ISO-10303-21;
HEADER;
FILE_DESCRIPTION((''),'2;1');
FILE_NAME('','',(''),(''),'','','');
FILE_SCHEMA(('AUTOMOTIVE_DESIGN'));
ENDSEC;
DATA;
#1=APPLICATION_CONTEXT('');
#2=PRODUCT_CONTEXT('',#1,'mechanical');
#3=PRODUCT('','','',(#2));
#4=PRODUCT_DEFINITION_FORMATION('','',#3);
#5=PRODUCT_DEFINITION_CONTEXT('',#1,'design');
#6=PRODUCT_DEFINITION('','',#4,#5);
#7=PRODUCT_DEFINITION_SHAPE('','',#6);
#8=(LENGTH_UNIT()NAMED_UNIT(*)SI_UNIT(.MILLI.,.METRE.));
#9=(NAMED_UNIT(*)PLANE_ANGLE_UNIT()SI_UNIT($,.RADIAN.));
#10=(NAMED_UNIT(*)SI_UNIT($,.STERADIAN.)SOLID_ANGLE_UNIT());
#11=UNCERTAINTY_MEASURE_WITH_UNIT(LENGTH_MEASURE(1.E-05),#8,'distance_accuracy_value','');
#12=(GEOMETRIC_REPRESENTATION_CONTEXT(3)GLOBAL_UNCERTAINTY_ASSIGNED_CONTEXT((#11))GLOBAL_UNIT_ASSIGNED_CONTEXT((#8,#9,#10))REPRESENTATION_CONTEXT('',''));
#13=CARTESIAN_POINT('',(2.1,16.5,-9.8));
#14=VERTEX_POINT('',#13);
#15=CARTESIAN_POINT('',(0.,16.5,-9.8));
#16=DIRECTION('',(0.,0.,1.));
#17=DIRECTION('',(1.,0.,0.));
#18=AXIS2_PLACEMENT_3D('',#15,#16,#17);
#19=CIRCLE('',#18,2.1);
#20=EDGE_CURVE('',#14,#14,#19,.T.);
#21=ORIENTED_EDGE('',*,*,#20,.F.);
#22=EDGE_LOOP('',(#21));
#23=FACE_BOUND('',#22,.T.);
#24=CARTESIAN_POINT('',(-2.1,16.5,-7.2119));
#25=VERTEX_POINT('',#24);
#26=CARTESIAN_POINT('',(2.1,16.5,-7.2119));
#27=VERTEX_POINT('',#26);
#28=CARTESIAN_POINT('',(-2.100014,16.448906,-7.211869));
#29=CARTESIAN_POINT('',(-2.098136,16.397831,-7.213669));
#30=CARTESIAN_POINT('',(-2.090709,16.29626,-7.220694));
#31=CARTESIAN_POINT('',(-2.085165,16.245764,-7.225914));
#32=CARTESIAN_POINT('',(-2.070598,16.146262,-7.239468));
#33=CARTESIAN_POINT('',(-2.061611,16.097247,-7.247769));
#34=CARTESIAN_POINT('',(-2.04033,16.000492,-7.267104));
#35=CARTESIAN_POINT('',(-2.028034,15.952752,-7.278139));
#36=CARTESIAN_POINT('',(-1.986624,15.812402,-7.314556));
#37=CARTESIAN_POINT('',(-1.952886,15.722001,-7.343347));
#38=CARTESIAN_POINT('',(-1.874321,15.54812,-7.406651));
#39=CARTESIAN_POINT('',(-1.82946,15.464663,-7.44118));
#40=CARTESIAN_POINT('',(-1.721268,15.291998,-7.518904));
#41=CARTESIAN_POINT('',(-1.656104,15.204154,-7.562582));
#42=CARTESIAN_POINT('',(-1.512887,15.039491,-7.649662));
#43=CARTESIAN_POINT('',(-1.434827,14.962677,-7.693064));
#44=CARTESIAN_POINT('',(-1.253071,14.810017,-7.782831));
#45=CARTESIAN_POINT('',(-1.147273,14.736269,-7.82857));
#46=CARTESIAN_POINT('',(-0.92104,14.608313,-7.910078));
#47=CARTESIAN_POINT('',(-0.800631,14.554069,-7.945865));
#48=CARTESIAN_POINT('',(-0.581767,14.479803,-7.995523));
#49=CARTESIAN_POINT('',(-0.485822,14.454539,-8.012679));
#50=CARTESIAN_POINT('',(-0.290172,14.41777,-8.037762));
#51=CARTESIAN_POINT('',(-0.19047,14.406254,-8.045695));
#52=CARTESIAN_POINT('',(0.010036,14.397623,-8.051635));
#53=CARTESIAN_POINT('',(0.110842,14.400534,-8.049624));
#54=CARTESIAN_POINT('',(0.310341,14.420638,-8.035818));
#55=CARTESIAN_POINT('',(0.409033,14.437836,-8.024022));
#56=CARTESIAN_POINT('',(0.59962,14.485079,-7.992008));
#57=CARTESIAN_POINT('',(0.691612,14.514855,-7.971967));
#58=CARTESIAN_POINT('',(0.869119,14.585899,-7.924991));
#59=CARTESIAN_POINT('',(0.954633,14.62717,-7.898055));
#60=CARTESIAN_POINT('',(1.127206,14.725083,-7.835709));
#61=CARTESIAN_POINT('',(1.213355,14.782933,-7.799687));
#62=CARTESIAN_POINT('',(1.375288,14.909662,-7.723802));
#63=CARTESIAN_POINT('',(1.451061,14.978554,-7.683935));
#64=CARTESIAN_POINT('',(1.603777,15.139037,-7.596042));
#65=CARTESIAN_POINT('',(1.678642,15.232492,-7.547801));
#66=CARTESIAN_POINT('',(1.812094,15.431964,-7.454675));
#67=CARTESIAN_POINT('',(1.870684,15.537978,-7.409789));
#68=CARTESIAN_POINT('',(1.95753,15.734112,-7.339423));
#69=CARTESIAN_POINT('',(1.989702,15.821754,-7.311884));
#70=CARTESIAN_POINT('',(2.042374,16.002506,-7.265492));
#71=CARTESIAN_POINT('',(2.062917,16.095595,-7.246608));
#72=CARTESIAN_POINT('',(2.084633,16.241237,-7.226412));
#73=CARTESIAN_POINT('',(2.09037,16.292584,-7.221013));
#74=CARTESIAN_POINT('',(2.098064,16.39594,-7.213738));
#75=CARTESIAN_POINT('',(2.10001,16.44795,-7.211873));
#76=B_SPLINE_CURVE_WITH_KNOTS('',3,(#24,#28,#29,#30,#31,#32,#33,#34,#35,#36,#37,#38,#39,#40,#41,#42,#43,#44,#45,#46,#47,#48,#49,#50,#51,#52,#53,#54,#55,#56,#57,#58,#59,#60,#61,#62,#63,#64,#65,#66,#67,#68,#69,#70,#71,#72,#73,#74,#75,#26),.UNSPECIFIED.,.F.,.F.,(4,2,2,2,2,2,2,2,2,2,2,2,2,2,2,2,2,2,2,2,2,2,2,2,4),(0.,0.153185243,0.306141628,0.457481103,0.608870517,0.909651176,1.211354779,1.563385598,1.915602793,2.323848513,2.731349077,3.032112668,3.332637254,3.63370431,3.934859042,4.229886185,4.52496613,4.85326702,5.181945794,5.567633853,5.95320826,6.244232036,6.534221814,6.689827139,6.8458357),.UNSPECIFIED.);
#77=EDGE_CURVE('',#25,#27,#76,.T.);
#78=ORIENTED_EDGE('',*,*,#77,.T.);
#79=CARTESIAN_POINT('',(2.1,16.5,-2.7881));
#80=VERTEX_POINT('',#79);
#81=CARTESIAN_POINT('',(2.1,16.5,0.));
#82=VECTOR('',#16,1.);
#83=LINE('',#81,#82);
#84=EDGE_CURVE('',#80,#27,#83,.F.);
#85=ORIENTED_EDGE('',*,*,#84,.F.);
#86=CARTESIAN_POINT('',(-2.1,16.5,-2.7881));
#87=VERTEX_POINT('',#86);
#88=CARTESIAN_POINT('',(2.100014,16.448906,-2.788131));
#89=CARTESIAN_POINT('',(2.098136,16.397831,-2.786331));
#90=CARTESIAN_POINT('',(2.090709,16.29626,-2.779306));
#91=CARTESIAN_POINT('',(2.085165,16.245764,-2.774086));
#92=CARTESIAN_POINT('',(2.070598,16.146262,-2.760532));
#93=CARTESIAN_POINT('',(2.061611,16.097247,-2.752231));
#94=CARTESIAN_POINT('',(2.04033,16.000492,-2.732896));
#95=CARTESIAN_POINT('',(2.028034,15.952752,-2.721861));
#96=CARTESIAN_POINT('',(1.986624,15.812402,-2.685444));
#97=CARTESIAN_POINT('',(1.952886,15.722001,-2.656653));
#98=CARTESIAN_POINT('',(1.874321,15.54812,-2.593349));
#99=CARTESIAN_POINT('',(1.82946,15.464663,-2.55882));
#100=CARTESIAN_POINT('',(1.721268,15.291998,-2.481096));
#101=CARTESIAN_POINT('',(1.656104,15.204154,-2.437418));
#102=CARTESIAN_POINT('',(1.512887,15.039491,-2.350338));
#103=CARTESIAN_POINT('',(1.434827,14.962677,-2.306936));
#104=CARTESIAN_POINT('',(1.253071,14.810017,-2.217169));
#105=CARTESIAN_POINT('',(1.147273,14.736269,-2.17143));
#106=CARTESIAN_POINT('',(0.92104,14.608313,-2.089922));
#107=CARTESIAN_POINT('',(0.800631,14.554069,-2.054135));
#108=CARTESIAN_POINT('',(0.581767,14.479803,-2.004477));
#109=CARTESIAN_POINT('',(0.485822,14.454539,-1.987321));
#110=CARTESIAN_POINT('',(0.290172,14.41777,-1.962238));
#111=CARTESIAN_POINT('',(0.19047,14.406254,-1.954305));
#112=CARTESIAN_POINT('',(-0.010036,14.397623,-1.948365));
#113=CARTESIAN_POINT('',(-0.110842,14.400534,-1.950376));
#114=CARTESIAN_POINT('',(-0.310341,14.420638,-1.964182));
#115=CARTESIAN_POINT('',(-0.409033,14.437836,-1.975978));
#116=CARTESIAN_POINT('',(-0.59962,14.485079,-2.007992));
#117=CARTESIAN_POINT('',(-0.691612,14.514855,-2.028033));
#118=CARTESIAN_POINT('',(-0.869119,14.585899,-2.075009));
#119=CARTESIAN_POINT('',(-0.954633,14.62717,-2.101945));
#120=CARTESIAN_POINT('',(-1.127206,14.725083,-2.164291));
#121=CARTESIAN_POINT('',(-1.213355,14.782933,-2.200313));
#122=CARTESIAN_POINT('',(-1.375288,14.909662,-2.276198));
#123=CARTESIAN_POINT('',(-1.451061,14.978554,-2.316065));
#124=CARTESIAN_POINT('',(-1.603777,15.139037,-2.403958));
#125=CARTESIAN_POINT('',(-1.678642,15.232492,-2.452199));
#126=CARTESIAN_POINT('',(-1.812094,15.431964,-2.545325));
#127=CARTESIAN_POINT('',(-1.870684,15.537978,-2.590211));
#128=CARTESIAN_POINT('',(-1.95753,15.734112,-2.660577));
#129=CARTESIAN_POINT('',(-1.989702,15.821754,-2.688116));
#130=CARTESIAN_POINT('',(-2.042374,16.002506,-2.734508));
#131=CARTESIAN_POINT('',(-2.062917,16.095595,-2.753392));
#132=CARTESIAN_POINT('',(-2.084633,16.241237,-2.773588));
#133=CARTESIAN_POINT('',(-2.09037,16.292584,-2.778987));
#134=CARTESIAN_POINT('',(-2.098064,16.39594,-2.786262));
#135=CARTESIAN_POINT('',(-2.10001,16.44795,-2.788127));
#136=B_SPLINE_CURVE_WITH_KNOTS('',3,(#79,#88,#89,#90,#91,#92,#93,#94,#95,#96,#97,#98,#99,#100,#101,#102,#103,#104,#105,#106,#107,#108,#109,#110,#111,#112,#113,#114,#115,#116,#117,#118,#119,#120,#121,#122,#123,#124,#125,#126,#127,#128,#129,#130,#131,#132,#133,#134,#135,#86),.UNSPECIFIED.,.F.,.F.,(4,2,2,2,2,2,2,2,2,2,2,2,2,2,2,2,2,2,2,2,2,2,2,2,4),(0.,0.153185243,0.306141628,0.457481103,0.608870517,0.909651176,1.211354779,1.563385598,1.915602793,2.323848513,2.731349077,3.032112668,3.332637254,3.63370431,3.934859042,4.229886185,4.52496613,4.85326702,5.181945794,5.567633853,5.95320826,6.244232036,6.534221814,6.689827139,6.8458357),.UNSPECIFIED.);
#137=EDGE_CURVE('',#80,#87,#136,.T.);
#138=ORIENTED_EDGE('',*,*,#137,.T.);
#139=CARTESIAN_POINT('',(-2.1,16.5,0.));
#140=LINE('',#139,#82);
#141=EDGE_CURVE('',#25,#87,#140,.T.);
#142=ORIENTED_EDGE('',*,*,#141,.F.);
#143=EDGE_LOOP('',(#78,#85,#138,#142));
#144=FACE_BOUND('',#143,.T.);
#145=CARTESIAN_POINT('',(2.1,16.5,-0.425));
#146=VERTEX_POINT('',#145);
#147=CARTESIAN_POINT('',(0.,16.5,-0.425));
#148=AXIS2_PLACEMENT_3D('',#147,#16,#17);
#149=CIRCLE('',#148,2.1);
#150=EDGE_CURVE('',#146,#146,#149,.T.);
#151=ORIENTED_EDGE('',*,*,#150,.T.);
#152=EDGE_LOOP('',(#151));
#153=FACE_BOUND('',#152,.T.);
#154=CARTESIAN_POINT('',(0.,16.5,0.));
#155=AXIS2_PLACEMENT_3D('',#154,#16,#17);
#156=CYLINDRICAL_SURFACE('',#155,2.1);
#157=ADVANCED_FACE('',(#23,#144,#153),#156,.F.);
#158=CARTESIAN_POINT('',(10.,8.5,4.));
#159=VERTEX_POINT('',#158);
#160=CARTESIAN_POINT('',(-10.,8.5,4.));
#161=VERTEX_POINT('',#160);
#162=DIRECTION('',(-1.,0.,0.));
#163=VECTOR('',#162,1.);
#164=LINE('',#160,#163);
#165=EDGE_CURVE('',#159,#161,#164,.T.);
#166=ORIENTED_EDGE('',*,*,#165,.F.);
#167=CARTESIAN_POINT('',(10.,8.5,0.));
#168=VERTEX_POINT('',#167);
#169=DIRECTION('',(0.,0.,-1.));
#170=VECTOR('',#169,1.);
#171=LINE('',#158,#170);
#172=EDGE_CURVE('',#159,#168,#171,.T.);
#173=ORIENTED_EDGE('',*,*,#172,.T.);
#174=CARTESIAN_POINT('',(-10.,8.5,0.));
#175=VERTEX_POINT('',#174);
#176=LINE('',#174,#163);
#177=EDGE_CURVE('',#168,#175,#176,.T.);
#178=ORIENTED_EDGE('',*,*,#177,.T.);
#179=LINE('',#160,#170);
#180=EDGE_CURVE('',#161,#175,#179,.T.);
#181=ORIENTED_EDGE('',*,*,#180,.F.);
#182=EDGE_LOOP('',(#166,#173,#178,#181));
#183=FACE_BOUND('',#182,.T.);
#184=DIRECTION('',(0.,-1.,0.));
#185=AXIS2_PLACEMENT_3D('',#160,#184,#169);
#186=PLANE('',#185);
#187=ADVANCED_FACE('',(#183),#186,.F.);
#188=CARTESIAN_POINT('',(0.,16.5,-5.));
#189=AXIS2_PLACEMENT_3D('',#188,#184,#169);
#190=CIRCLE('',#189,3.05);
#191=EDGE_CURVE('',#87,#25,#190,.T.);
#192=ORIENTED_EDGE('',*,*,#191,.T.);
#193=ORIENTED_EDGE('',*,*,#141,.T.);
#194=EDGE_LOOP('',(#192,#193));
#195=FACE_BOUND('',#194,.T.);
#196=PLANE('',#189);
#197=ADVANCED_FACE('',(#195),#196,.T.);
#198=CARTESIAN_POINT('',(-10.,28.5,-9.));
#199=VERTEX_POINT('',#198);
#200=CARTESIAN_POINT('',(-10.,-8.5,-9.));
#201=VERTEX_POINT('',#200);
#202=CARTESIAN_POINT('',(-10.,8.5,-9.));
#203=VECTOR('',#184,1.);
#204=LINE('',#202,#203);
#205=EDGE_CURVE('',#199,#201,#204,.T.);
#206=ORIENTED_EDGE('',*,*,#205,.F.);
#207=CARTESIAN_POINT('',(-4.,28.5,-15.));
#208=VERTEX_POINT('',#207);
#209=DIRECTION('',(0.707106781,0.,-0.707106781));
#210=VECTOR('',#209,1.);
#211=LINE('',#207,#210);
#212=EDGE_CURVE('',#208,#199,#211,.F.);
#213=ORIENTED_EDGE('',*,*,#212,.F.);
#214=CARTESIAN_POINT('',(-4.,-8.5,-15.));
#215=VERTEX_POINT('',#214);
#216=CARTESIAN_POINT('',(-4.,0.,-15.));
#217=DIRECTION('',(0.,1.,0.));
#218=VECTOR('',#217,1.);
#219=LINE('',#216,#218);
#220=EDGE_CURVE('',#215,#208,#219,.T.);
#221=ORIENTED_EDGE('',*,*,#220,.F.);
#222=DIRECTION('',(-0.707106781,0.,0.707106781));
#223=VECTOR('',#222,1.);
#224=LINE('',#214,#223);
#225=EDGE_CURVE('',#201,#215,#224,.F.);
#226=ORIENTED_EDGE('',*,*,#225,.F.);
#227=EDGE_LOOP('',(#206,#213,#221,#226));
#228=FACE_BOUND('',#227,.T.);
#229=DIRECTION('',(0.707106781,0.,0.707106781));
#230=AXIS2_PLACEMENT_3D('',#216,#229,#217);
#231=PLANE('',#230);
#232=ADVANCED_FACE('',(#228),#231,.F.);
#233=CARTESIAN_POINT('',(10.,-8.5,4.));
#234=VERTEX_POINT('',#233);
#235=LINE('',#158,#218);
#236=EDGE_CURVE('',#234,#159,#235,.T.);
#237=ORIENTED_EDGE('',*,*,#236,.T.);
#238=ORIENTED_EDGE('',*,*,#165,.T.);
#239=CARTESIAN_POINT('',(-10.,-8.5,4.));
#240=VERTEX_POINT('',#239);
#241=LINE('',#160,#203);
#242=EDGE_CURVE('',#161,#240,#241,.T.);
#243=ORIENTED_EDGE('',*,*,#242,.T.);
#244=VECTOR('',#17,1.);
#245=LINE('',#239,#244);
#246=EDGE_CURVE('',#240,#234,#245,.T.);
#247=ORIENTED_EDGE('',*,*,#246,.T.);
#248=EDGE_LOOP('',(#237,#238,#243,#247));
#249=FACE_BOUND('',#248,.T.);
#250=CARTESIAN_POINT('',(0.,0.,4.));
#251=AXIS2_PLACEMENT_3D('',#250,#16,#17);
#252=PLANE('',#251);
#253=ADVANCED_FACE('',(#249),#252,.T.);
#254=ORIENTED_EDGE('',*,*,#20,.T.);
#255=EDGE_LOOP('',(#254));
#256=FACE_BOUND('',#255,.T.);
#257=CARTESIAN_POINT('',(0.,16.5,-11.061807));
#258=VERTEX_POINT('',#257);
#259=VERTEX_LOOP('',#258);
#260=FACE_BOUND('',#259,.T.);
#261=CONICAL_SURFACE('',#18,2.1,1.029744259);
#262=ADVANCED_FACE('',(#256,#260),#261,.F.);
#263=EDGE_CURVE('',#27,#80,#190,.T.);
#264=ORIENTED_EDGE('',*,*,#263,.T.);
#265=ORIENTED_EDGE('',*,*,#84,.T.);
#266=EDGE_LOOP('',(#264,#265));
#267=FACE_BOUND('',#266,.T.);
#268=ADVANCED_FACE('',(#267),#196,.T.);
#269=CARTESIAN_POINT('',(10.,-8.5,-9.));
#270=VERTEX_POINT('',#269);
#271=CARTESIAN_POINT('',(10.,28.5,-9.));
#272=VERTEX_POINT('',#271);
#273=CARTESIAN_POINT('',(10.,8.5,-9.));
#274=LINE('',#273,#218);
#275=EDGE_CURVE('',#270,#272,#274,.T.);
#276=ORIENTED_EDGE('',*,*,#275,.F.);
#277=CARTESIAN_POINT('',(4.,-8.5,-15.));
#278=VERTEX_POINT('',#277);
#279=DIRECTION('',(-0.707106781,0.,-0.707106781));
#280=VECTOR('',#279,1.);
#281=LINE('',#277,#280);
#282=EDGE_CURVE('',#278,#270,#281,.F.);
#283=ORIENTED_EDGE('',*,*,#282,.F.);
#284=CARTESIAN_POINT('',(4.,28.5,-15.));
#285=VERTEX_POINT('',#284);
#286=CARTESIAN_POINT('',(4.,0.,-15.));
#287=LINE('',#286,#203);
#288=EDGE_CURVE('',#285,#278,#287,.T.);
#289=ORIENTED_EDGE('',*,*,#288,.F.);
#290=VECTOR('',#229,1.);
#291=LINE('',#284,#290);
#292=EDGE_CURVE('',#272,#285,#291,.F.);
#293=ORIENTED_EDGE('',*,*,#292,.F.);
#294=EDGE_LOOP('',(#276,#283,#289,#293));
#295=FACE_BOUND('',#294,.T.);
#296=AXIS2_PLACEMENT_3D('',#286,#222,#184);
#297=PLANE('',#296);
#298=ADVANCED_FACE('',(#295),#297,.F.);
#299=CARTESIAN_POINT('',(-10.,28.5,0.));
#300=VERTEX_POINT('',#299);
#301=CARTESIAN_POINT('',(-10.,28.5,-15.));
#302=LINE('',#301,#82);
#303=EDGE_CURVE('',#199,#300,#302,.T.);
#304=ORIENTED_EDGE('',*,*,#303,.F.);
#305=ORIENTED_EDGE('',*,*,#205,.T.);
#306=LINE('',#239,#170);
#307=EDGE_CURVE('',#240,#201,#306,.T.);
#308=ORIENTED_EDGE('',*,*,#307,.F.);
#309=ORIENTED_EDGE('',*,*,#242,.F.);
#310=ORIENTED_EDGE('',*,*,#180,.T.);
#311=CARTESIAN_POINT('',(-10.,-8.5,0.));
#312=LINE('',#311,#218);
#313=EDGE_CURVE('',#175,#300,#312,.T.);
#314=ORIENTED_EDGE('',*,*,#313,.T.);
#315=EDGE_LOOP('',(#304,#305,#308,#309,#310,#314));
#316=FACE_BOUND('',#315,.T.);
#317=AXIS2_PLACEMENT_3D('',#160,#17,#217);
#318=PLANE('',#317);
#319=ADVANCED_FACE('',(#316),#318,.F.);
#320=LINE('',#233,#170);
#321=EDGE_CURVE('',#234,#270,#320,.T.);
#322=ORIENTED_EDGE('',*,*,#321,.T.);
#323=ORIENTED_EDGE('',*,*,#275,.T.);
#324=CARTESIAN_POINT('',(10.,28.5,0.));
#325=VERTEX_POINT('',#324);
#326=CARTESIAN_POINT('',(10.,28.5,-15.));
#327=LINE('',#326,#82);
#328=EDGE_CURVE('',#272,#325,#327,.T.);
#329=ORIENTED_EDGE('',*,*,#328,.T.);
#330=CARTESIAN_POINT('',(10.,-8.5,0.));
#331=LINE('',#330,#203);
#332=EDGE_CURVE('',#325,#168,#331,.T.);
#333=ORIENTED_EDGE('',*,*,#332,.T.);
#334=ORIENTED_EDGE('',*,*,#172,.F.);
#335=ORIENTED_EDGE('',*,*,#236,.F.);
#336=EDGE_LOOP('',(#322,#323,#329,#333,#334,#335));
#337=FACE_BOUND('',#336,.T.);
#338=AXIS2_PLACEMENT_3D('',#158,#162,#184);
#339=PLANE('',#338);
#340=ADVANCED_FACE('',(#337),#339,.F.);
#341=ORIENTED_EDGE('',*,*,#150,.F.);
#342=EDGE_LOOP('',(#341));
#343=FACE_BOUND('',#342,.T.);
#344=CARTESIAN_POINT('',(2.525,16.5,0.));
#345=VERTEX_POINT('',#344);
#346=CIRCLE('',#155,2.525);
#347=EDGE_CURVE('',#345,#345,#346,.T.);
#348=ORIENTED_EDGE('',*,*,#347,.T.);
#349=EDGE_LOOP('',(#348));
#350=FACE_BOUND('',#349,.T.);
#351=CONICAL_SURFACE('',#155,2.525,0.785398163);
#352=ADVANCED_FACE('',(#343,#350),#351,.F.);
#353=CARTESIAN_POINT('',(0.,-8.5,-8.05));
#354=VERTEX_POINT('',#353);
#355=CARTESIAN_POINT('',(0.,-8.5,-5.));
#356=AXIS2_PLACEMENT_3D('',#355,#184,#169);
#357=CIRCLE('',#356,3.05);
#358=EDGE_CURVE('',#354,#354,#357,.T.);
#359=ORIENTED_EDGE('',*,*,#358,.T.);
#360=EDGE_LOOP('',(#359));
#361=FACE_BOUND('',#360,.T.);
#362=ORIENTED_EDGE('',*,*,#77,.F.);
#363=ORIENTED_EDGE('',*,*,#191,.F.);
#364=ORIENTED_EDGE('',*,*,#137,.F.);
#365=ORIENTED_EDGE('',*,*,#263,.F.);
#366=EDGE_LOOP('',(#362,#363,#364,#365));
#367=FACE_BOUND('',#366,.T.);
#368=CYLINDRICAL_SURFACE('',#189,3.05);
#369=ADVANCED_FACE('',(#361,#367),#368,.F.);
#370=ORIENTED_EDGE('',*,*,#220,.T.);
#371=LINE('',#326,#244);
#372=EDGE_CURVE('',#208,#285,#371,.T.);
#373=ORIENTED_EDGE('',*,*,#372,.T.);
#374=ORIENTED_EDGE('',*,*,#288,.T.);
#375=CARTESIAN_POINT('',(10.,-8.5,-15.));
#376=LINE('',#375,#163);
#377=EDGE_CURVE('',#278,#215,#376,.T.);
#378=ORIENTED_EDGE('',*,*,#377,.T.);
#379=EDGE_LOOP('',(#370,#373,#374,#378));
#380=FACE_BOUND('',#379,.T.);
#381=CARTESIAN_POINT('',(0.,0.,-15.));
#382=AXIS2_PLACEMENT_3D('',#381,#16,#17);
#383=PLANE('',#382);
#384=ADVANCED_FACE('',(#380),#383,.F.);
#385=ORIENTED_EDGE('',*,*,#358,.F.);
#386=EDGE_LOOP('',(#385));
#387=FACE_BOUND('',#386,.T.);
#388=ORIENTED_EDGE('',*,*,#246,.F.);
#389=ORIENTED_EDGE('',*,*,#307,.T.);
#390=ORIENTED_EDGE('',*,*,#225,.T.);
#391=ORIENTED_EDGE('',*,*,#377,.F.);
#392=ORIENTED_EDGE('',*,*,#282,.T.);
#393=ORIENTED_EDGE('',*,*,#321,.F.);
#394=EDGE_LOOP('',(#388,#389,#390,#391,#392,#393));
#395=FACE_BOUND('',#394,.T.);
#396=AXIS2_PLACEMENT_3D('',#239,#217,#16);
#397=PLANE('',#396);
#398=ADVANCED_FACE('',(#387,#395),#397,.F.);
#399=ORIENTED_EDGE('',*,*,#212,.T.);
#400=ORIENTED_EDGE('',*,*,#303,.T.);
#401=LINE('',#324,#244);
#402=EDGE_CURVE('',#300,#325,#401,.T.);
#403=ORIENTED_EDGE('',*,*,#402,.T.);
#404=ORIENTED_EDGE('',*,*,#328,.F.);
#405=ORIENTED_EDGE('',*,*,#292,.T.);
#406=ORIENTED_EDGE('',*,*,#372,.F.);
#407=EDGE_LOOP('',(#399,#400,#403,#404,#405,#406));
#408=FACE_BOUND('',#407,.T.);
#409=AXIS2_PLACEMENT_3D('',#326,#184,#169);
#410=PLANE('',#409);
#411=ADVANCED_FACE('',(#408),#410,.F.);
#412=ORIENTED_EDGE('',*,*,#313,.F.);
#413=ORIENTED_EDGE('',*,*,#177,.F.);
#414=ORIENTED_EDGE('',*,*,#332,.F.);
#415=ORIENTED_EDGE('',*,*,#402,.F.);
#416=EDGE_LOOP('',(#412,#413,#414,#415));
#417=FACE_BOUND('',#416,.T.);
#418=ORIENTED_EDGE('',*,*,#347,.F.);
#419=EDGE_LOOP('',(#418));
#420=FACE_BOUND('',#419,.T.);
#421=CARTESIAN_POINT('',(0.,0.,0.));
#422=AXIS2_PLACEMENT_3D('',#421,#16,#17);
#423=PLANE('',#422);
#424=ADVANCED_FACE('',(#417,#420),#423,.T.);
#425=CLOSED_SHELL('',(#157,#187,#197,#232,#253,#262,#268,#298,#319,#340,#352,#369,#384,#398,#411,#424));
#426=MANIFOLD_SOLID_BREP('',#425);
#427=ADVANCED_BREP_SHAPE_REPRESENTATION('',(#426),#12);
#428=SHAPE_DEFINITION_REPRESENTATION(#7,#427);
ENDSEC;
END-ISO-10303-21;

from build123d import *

# Parameters (mm, degrees)
SKETCH1_W                   = 20
SKETCH1_H                   = 17
BOSS_EXTRUDE1_DEPTH         = 4
SKETCH2_W                   = 20
SKETCH2_H                   = 37
BOSS_EXTRUDE2_DEPTH         = 15
M5_TAPPED_HOLE1_D           = 4.2
M5_TAPPED_HOLE1_DEPTH       = 9.8
M5_TAPPED_HOLE1_CSINK_D     = 5.05
M5_TAPPED_HOLE1_CSINK_ANGLE = 90
M5_TAPPED_HOLE1_TIP         = 1.2618073
SKETCH5_R                   = 3.05
CUT_EXTRUDE1_DEPTH          = 25
CHAMFER1_SIZE               = 6


with BuildPart() as part:
    # Sketch1 → Boss-Extrude1 (new body)
    with BuildSketch(Plane.XY):
        Rectangle(SKETCH1_W, SKETCH1_H)
    extrude(amount=BOSS_EXTRUDE1_DEPTH)

    # Sketch2 → Boss-Extrude2 (add)
    with BuildSketch(Plane(origin=(0, 0, 0), x_dir=(-1, 0, 0), z_dir=(0, 0, -1))):
        with Locations((0, 10)):
            Rectangle(SKETCH2_W, SKETCH2_H)
    extrude(amount=BOSS_EXTRUDE2_DEPTH)

    # M5 Tapped Hole1
    with Locations(Plane(origin=(0, 16.5, 0), x_dir=(1, 0, 0), z_dir=(0, 0, 1))):
        with Locations((0, 0)):
            CounterSinkHole(M5_TAPPED_HOLE1_D / 2, M5_TAPPED_HOLE1_CSINK_D / 2, depth=M5_TAPPED_HOLE1_DEPTH, counter_sink_angle=M5_TAPPED_HOLE1_CSINK_ANGLE)
            with Locations((0, 0, -(M5_TAPPED_HOLE1_DEPTH + M5_TAPPED_HOLE1_TIP / 2))):  # 118° drill point
                Cone(0, M5_TAPPED_HOLE1_D / 2, M5_TAPPED_HOLE1_TIP, mode=Mode.SUBTRACT)

    # Sketch5 → Cut-Extrude1 (cut)
    with BuildSketch(Plane.XZ.offset(8.5)):
        with Locations(Location((0, -5, 0), (0, 0, 270))):
            Circle(SKETCH5_R)
    extrude(amount=-CUT_EXTRUDE1_DEPTH, mode=Mode.SUBTRACT)

    # Chamfer1
    chamfer1_edges = [part.edges().sort_by_distance(p)[0] for p in [
        (10, 10, -15),
        (-10, 10, -15),
    ]]
    chamfer(chamfer1_edges, length=CHAMFER1_SIZE)


solid = part.part
